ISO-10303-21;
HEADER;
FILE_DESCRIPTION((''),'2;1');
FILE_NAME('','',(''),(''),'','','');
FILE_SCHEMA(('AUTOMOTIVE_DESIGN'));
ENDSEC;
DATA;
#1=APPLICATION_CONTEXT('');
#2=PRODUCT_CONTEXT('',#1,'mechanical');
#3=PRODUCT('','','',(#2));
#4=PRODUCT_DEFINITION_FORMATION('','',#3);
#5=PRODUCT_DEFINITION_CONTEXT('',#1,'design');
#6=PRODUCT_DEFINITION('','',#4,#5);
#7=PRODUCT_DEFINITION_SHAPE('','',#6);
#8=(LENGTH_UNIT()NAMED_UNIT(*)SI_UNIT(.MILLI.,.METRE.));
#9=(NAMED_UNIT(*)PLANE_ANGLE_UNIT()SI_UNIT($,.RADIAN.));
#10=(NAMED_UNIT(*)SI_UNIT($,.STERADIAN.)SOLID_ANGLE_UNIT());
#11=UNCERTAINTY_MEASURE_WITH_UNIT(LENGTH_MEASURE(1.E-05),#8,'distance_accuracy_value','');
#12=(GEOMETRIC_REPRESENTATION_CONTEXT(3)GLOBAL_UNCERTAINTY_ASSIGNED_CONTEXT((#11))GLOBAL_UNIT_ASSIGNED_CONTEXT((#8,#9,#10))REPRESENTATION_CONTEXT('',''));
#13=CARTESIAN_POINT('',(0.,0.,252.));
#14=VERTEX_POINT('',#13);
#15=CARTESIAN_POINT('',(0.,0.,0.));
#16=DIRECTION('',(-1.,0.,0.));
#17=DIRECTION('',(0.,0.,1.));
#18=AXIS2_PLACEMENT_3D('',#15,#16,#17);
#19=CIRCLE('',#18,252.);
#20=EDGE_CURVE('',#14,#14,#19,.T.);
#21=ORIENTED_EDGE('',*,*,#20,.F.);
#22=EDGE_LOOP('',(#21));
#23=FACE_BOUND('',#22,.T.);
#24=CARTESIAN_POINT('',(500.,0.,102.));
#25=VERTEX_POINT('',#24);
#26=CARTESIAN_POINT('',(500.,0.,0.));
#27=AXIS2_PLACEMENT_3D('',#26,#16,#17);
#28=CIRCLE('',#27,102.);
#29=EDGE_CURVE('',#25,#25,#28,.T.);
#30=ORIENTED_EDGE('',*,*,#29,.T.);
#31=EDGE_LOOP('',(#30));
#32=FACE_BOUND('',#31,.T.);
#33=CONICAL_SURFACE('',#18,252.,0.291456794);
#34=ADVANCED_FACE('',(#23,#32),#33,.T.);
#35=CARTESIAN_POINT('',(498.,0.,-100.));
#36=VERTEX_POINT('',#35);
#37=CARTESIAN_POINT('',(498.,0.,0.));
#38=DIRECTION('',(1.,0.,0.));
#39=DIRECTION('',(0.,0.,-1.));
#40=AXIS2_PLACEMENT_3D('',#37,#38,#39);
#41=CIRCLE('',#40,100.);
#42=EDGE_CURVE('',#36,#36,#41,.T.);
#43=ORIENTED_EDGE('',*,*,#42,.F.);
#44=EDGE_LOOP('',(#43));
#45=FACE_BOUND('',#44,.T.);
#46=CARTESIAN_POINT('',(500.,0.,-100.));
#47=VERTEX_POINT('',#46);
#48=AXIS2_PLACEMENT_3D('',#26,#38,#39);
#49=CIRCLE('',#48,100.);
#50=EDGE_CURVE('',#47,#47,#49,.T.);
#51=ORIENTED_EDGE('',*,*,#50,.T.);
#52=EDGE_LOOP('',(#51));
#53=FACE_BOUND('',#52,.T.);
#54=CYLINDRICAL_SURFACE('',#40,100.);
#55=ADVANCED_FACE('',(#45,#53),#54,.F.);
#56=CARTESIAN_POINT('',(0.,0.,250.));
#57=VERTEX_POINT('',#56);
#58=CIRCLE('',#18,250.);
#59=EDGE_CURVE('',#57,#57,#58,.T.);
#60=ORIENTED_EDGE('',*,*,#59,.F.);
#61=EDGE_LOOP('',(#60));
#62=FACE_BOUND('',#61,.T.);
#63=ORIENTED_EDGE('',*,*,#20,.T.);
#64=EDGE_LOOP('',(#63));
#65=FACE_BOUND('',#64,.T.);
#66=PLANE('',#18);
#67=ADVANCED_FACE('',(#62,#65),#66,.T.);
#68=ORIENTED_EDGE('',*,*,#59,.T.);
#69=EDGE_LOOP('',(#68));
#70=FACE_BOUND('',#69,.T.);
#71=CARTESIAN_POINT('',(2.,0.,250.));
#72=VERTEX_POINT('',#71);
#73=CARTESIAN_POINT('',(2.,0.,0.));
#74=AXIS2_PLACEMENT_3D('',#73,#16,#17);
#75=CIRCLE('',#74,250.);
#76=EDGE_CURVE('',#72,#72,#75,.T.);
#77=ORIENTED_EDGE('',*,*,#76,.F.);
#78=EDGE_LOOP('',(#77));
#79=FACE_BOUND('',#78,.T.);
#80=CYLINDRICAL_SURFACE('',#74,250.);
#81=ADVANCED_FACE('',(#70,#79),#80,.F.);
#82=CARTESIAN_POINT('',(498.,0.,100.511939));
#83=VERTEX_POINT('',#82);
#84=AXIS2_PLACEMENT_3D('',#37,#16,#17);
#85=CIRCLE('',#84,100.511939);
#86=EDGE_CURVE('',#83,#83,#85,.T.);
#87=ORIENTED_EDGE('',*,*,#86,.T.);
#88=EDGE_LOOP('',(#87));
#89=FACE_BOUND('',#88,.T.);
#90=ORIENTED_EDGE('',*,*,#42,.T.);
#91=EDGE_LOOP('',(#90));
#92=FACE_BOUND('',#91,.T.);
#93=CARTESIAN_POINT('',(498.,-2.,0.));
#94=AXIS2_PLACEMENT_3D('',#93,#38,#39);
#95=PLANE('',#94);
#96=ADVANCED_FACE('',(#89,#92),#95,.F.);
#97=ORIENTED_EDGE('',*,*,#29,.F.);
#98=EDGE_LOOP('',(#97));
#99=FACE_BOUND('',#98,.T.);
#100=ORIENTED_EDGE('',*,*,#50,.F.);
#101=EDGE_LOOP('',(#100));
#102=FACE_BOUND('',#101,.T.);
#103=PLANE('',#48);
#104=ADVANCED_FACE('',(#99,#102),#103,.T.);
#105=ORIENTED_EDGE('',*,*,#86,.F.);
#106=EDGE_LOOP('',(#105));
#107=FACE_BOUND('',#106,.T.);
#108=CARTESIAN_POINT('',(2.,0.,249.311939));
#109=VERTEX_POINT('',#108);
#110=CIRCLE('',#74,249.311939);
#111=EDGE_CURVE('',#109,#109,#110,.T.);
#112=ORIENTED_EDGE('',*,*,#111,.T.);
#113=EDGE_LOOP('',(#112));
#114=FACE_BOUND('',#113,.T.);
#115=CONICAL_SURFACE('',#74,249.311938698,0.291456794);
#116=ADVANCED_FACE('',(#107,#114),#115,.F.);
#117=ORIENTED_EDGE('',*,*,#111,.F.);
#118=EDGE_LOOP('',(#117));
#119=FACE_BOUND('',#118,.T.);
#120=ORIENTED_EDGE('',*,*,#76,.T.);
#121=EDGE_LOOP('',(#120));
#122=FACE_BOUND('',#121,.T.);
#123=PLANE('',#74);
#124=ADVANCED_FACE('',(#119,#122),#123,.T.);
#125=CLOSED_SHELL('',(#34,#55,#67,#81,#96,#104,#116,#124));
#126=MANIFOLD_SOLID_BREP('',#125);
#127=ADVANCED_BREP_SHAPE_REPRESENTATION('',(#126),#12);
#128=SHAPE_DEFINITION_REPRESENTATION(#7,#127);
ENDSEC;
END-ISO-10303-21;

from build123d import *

# Parameters (mm, degrees)
SKETCH3_R          = 250
CUT_EXTRUDE7_DEPTH = 2
SKETCH6_R          = 2
CUT_EXTRUDE8_DEPTH = 498
SKETCH7_R          = 100
CUT_EXTRUDE9_DEPTH = 2


with BuildPart() as part:
    # Sketch2 → Revolve2 (revolve)
    with BuildSketch(Plane.XY):
        Polygon((0, 0), (0, -252), (500, -102), (500, 0), align=None)
        Polygon((2, -249.311938698), (498, -100.511938698), (498, -2), (2, -2), align=None, mode=Mode.SUBTRACT)
    revolve(axis=Axis((0, 0, 0), (1, 0, 0)))

    # Sketch3 → Cut-Extrude7 (cut)
    with BuildSketch(Plane.ZY):
        Circle(SKETCH3_R)
    extrude(amount=-CUT_EXTRUDE7_DEPTH, mode=Mode.SUBTRACT)

    # Sketch6 → Cut-Extrude8 (cut)
    with BuildSketch(Plane.ZY.offset(-2)):
        Circle(SKETCH6_R)
    extrude(amount=-CUT_EXTRUDE8_DEPTH, mode=Mode.SUBTRACT)

    # Sketch7 → Cut-Extrude9 (cut)
    with BuildSketch(Plane(origin=(500, 0, 0), x_dir=(0, 0, -1), z_dir=(1, 0, 0))):
        Circle(SKETCH7_R)
    extrude(amount=-CUT_EXTRUDE9_DEPTH, mode=Mode.SUBTRACT)


solid = part.part
